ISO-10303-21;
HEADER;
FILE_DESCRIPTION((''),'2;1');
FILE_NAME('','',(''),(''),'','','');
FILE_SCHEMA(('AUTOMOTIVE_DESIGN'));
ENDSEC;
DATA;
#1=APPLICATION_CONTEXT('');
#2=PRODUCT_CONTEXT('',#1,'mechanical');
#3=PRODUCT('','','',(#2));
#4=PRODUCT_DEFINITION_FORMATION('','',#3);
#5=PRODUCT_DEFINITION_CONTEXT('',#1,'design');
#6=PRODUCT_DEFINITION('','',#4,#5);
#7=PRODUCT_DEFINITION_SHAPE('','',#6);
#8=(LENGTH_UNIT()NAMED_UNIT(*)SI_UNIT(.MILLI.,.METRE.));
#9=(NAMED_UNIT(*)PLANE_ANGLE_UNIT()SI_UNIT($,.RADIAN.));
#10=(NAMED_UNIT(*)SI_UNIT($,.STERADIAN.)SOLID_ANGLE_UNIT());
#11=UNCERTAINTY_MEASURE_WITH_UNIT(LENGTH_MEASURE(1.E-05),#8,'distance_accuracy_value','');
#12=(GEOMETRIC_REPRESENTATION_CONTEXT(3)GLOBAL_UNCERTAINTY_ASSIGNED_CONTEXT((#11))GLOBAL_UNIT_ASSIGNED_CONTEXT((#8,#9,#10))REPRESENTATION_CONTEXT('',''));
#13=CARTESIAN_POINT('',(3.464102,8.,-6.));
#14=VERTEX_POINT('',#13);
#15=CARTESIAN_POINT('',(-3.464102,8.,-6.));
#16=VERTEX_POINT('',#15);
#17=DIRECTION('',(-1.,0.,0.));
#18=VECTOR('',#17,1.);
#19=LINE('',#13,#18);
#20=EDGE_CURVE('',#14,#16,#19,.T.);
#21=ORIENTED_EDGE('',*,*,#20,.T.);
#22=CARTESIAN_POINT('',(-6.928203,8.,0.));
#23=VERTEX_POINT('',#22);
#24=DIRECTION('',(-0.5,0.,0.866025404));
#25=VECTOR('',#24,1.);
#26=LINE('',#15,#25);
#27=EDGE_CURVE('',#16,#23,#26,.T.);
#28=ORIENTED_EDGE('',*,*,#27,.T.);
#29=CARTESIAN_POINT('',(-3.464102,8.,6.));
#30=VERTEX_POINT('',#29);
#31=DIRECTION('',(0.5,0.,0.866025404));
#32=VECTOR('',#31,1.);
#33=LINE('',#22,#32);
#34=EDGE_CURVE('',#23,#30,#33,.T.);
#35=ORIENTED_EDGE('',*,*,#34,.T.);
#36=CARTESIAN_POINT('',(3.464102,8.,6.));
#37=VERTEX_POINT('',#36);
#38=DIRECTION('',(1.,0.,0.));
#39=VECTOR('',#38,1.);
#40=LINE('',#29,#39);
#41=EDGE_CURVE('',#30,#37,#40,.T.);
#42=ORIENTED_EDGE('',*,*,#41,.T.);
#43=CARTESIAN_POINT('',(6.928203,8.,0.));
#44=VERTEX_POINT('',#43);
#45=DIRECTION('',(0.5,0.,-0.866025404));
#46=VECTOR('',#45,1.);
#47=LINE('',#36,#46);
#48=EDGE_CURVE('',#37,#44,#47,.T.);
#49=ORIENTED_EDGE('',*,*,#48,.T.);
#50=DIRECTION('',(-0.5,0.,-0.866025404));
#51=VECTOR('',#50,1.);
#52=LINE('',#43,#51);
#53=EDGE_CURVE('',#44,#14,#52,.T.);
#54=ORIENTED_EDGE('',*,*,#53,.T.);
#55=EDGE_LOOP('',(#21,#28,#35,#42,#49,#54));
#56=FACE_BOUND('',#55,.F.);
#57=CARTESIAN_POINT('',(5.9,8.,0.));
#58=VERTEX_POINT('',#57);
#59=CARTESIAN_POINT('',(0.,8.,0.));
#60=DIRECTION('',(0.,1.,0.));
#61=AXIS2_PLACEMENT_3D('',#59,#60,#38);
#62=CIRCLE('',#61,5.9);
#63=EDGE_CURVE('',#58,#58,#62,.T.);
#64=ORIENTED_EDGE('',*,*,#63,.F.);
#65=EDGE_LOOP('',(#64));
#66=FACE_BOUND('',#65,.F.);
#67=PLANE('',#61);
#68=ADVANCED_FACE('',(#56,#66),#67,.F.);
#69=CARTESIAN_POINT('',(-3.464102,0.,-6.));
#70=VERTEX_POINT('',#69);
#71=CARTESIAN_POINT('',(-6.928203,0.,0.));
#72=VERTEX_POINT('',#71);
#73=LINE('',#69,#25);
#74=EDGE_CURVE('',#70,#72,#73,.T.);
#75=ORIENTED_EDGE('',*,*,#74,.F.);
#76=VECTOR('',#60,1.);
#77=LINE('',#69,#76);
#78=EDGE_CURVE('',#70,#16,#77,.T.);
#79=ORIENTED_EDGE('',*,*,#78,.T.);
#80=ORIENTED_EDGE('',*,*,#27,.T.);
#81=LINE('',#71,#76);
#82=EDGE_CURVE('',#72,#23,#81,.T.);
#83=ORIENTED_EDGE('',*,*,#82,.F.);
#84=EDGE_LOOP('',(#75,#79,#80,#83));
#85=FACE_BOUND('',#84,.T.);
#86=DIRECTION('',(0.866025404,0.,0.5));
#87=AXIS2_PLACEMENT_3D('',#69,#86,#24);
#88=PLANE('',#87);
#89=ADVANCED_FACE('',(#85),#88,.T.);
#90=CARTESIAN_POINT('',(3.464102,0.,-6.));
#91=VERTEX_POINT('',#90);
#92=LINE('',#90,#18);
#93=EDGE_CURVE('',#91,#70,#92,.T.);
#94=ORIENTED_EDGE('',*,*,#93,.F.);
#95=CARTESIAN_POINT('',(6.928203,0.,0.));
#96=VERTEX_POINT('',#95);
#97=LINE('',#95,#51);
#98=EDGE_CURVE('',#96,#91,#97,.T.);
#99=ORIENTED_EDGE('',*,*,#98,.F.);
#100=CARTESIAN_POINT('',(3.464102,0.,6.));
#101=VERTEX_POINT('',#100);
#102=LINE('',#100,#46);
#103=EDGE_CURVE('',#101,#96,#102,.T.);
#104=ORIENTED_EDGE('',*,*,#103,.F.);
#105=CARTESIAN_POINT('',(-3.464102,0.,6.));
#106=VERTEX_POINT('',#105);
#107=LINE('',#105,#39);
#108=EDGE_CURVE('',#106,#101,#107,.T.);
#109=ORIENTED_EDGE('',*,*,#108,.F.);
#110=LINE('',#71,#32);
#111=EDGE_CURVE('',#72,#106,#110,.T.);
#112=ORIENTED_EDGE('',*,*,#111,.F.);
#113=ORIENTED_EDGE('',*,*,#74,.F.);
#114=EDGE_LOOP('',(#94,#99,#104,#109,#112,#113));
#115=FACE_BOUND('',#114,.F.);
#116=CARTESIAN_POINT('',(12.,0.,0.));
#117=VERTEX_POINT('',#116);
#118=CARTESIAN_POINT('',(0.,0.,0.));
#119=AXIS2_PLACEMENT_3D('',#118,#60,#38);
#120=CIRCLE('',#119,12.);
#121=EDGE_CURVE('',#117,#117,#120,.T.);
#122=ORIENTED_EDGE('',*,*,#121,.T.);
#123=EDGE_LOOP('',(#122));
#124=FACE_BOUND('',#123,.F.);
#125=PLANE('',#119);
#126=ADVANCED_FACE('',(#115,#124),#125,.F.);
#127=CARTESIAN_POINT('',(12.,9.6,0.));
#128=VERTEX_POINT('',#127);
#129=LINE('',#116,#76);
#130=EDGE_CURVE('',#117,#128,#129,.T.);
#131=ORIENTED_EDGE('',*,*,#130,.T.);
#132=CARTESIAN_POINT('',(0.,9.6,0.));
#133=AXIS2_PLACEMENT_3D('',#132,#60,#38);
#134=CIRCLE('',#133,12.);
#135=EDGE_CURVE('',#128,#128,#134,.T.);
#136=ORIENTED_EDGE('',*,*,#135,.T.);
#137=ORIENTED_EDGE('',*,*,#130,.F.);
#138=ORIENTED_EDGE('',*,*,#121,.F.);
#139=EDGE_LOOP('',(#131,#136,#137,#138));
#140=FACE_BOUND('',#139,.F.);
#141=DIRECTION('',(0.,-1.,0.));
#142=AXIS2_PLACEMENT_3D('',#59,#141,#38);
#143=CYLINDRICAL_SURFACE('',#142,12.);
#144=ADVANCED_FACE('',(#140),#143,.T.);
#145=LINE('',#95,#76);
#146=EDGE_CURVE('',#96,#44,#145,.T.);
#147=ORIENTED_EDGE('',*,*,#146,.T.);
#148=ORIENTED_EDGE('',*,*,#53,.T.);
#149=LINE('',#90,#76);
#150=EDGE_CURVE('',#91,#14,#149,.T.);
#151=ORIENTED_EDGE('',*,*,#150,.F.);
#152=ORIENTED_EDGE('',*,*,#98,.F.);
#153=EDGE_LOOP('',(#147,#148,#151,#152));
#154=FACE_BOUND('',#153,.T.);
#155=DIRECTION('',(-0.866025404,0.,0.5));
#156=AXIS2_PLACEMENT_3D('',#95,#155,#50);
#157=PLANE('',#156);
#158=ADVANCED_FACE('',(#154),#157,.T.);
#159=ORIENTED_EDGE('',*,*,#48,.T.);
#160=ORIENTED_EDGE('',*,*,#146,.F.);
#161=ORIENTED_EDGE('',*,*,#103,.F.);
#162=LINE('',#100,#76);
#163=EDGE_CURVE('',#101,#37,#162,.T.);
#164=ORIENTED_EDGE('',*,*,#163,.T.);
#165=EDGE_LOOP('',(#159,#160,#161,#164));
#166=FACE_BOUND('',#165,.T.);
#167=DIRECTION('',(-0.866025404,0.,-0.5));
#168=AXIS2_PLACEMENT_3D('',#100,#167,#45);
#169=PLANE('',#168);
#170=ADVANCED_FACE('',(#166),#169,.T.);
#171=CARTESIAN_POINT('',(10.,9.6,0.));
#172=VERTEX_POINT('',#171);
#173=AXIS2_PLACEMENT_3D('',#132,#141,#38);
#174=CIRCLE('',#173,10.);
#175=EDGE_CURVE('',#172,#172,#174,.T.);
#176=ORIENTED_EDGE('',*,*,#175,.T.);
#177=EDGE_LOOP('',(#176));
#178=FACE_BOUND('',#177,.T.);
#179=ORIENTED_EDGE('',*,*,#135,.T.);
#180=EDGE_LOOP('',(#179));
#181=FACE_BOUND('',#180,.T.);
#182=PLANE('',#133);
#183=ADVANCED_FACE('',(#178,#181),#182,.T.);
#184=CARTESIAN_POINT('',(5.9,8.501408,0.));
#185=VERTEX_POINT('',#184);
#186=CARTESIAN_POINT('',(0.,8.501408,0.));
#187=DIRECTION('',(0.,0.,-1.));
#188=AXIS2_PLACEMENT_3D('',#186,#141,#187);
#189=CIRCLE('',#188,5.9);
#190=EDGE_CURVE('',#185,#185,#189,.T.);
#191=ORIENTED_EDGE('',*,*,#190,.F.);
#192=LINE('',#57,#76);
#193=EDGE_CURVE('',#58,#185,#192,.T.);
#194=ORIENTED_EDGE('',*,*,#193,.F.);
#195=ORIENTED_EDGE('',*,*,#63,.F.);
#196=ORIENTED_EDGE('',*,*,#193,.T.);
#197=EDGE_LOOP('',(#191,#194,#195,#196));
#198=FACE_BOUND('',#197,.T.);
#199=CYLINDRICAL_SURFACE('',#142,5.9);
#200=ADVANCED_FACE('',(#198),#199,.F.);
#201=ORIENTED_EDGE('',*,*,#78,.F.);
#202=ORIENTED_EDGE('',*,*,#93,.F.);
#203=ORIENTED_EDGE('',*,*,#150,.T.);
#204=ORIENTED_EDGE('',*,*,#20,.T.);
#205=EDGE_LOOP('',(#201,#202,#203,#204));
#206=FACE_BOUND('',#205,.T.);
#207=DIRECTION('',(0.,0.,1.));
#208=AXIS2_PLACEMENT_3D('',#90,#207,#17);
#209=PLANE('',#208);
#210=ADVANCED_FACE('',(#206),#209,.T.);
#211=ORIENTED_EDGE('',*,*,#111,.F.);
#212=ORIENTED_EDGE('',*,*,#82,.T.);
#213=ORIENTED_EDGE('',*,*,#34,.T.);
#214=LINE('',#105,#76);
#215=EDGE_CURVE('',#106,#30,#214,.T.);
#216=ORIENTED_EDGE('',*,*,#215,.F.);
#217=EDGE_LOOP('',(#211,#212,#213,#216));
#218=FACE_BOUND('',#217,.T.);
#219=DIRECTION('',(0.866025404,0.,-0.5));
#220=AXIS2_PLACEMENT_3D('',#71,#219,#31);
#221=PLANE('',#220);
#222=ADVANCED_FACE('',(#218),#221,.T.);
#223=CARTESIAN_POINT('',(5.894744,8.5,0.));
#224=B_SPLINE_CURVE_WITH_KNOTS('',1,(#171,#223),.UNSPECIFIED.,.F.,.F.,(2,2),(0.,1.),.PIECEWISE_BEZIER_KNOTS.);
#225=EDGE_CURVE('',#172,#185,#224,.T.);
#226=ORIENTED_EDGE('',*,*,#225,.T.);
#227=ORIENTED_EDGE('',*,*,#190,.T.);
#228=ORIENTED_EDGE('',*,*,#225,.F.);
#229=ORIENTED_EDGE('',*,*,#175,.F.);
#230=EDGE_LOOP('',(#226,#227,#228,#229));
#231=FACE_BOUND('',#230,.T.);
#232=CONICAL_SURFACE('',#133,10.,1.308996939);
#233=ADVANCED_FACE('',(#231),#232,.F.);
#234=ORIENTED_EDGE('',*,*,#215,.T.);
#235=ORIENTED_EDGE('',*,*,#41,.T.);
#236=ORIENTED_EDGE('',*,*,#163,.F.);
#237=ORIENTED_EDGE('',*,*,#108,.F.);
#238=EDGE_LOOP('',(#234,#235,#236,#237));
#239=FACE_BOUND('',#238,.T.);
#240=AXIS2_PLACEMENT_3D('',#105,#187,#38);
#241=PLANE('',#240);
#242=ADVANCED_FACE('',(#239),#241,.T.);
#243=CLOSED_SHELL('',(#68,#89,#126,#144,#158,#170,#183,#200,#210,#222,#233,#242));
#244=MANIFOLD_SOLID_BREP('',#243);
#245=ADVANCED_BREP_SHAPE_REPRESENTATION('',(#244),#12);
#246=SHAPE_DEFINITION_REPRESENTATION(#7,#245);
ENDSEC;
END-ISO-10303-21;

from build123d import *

# Parameters (mm, degrees)
SKETCH1_R           = 12
BOSS_EXTRUDE1_DEPTH = 8
SKETCH2_R           = 12
SKETCH2_R_2         = 5.9
BOSS_EXTRUDE2_DEPTH = 1.6
SKETCH3_R           = 10
CUT_EXTRUDE1_DEPTH  = 1.1
CUT_EXTRUDE1_DRAFT  = -75


with BuildPart() as part:
    # Sketch1 → Boss-Extrude1 (new body)
    with BuildSketch(Plane(origin=(0, 0, 0), x_dir=(1, 0, 0), z_dir=(0, 1, 0))):
        Circle(SKETCH1_R)
        Polygon((3.464101615, 6), (-3.464101615, 6), (-6.92820323, 0), (-3.464101615, -6), (3.464101615, -6), (6.92820323, 0), align=None, mode=Mode.SUBTRACT)
    extrude(amount=BOSS_EXTRUDE1_DEPTH)

    # Sketch2 → Boss-Extrude2 (add)
    with BuildSketch(Plane(origin=(0, 8, 0), x_dir=(1, 0, 0), z_dir=(0, 1, 0))):
        Circle(SKETCH2_R)
        Circle(SKETCH2_R_2, mode=Mode.SUBTRACT)
    extrude(amount=BOSS_EXTRUDE2_DEPTH)


with BuildPart() as cut_extrude1_tool:
    # Sketch3 → Cut-Extrude1 (with draft: the straight prism first)
    with BuildSketch(Plane(origin=(0, 9.6, 0), x_dir=(1, 0, 0), z_dir=(0, 1, 0))):
        Circle(SKETCH3_R)
    extrude(amount=-CUT_EXTRUDE1_DEPTH)
    # Cut-Extrude1: the draft: its side faces are tilted about the plane it starts from
    cut_extrude1_sides = [cut_extrude1_tool.faces().sort_by_distance(p)[0] for p in [
        (-10, 9.05, 0),
    ]]
    draft(cut_extrude1_sides, Plane(origin=(0, 9.6, 0), x_dir=(1, 0, 0), z_dir=(0, 1, 0)), CUT_EXTRUDE1_DRAFT)


with BuildPart() as part_1:
    add(part.part)

    # Cut-Extrude1: cut by cut_extrude1_tool
    add(cut_extrude1_tool.part, mode=Mode.SUBTRACT)


solid = part_1.part
